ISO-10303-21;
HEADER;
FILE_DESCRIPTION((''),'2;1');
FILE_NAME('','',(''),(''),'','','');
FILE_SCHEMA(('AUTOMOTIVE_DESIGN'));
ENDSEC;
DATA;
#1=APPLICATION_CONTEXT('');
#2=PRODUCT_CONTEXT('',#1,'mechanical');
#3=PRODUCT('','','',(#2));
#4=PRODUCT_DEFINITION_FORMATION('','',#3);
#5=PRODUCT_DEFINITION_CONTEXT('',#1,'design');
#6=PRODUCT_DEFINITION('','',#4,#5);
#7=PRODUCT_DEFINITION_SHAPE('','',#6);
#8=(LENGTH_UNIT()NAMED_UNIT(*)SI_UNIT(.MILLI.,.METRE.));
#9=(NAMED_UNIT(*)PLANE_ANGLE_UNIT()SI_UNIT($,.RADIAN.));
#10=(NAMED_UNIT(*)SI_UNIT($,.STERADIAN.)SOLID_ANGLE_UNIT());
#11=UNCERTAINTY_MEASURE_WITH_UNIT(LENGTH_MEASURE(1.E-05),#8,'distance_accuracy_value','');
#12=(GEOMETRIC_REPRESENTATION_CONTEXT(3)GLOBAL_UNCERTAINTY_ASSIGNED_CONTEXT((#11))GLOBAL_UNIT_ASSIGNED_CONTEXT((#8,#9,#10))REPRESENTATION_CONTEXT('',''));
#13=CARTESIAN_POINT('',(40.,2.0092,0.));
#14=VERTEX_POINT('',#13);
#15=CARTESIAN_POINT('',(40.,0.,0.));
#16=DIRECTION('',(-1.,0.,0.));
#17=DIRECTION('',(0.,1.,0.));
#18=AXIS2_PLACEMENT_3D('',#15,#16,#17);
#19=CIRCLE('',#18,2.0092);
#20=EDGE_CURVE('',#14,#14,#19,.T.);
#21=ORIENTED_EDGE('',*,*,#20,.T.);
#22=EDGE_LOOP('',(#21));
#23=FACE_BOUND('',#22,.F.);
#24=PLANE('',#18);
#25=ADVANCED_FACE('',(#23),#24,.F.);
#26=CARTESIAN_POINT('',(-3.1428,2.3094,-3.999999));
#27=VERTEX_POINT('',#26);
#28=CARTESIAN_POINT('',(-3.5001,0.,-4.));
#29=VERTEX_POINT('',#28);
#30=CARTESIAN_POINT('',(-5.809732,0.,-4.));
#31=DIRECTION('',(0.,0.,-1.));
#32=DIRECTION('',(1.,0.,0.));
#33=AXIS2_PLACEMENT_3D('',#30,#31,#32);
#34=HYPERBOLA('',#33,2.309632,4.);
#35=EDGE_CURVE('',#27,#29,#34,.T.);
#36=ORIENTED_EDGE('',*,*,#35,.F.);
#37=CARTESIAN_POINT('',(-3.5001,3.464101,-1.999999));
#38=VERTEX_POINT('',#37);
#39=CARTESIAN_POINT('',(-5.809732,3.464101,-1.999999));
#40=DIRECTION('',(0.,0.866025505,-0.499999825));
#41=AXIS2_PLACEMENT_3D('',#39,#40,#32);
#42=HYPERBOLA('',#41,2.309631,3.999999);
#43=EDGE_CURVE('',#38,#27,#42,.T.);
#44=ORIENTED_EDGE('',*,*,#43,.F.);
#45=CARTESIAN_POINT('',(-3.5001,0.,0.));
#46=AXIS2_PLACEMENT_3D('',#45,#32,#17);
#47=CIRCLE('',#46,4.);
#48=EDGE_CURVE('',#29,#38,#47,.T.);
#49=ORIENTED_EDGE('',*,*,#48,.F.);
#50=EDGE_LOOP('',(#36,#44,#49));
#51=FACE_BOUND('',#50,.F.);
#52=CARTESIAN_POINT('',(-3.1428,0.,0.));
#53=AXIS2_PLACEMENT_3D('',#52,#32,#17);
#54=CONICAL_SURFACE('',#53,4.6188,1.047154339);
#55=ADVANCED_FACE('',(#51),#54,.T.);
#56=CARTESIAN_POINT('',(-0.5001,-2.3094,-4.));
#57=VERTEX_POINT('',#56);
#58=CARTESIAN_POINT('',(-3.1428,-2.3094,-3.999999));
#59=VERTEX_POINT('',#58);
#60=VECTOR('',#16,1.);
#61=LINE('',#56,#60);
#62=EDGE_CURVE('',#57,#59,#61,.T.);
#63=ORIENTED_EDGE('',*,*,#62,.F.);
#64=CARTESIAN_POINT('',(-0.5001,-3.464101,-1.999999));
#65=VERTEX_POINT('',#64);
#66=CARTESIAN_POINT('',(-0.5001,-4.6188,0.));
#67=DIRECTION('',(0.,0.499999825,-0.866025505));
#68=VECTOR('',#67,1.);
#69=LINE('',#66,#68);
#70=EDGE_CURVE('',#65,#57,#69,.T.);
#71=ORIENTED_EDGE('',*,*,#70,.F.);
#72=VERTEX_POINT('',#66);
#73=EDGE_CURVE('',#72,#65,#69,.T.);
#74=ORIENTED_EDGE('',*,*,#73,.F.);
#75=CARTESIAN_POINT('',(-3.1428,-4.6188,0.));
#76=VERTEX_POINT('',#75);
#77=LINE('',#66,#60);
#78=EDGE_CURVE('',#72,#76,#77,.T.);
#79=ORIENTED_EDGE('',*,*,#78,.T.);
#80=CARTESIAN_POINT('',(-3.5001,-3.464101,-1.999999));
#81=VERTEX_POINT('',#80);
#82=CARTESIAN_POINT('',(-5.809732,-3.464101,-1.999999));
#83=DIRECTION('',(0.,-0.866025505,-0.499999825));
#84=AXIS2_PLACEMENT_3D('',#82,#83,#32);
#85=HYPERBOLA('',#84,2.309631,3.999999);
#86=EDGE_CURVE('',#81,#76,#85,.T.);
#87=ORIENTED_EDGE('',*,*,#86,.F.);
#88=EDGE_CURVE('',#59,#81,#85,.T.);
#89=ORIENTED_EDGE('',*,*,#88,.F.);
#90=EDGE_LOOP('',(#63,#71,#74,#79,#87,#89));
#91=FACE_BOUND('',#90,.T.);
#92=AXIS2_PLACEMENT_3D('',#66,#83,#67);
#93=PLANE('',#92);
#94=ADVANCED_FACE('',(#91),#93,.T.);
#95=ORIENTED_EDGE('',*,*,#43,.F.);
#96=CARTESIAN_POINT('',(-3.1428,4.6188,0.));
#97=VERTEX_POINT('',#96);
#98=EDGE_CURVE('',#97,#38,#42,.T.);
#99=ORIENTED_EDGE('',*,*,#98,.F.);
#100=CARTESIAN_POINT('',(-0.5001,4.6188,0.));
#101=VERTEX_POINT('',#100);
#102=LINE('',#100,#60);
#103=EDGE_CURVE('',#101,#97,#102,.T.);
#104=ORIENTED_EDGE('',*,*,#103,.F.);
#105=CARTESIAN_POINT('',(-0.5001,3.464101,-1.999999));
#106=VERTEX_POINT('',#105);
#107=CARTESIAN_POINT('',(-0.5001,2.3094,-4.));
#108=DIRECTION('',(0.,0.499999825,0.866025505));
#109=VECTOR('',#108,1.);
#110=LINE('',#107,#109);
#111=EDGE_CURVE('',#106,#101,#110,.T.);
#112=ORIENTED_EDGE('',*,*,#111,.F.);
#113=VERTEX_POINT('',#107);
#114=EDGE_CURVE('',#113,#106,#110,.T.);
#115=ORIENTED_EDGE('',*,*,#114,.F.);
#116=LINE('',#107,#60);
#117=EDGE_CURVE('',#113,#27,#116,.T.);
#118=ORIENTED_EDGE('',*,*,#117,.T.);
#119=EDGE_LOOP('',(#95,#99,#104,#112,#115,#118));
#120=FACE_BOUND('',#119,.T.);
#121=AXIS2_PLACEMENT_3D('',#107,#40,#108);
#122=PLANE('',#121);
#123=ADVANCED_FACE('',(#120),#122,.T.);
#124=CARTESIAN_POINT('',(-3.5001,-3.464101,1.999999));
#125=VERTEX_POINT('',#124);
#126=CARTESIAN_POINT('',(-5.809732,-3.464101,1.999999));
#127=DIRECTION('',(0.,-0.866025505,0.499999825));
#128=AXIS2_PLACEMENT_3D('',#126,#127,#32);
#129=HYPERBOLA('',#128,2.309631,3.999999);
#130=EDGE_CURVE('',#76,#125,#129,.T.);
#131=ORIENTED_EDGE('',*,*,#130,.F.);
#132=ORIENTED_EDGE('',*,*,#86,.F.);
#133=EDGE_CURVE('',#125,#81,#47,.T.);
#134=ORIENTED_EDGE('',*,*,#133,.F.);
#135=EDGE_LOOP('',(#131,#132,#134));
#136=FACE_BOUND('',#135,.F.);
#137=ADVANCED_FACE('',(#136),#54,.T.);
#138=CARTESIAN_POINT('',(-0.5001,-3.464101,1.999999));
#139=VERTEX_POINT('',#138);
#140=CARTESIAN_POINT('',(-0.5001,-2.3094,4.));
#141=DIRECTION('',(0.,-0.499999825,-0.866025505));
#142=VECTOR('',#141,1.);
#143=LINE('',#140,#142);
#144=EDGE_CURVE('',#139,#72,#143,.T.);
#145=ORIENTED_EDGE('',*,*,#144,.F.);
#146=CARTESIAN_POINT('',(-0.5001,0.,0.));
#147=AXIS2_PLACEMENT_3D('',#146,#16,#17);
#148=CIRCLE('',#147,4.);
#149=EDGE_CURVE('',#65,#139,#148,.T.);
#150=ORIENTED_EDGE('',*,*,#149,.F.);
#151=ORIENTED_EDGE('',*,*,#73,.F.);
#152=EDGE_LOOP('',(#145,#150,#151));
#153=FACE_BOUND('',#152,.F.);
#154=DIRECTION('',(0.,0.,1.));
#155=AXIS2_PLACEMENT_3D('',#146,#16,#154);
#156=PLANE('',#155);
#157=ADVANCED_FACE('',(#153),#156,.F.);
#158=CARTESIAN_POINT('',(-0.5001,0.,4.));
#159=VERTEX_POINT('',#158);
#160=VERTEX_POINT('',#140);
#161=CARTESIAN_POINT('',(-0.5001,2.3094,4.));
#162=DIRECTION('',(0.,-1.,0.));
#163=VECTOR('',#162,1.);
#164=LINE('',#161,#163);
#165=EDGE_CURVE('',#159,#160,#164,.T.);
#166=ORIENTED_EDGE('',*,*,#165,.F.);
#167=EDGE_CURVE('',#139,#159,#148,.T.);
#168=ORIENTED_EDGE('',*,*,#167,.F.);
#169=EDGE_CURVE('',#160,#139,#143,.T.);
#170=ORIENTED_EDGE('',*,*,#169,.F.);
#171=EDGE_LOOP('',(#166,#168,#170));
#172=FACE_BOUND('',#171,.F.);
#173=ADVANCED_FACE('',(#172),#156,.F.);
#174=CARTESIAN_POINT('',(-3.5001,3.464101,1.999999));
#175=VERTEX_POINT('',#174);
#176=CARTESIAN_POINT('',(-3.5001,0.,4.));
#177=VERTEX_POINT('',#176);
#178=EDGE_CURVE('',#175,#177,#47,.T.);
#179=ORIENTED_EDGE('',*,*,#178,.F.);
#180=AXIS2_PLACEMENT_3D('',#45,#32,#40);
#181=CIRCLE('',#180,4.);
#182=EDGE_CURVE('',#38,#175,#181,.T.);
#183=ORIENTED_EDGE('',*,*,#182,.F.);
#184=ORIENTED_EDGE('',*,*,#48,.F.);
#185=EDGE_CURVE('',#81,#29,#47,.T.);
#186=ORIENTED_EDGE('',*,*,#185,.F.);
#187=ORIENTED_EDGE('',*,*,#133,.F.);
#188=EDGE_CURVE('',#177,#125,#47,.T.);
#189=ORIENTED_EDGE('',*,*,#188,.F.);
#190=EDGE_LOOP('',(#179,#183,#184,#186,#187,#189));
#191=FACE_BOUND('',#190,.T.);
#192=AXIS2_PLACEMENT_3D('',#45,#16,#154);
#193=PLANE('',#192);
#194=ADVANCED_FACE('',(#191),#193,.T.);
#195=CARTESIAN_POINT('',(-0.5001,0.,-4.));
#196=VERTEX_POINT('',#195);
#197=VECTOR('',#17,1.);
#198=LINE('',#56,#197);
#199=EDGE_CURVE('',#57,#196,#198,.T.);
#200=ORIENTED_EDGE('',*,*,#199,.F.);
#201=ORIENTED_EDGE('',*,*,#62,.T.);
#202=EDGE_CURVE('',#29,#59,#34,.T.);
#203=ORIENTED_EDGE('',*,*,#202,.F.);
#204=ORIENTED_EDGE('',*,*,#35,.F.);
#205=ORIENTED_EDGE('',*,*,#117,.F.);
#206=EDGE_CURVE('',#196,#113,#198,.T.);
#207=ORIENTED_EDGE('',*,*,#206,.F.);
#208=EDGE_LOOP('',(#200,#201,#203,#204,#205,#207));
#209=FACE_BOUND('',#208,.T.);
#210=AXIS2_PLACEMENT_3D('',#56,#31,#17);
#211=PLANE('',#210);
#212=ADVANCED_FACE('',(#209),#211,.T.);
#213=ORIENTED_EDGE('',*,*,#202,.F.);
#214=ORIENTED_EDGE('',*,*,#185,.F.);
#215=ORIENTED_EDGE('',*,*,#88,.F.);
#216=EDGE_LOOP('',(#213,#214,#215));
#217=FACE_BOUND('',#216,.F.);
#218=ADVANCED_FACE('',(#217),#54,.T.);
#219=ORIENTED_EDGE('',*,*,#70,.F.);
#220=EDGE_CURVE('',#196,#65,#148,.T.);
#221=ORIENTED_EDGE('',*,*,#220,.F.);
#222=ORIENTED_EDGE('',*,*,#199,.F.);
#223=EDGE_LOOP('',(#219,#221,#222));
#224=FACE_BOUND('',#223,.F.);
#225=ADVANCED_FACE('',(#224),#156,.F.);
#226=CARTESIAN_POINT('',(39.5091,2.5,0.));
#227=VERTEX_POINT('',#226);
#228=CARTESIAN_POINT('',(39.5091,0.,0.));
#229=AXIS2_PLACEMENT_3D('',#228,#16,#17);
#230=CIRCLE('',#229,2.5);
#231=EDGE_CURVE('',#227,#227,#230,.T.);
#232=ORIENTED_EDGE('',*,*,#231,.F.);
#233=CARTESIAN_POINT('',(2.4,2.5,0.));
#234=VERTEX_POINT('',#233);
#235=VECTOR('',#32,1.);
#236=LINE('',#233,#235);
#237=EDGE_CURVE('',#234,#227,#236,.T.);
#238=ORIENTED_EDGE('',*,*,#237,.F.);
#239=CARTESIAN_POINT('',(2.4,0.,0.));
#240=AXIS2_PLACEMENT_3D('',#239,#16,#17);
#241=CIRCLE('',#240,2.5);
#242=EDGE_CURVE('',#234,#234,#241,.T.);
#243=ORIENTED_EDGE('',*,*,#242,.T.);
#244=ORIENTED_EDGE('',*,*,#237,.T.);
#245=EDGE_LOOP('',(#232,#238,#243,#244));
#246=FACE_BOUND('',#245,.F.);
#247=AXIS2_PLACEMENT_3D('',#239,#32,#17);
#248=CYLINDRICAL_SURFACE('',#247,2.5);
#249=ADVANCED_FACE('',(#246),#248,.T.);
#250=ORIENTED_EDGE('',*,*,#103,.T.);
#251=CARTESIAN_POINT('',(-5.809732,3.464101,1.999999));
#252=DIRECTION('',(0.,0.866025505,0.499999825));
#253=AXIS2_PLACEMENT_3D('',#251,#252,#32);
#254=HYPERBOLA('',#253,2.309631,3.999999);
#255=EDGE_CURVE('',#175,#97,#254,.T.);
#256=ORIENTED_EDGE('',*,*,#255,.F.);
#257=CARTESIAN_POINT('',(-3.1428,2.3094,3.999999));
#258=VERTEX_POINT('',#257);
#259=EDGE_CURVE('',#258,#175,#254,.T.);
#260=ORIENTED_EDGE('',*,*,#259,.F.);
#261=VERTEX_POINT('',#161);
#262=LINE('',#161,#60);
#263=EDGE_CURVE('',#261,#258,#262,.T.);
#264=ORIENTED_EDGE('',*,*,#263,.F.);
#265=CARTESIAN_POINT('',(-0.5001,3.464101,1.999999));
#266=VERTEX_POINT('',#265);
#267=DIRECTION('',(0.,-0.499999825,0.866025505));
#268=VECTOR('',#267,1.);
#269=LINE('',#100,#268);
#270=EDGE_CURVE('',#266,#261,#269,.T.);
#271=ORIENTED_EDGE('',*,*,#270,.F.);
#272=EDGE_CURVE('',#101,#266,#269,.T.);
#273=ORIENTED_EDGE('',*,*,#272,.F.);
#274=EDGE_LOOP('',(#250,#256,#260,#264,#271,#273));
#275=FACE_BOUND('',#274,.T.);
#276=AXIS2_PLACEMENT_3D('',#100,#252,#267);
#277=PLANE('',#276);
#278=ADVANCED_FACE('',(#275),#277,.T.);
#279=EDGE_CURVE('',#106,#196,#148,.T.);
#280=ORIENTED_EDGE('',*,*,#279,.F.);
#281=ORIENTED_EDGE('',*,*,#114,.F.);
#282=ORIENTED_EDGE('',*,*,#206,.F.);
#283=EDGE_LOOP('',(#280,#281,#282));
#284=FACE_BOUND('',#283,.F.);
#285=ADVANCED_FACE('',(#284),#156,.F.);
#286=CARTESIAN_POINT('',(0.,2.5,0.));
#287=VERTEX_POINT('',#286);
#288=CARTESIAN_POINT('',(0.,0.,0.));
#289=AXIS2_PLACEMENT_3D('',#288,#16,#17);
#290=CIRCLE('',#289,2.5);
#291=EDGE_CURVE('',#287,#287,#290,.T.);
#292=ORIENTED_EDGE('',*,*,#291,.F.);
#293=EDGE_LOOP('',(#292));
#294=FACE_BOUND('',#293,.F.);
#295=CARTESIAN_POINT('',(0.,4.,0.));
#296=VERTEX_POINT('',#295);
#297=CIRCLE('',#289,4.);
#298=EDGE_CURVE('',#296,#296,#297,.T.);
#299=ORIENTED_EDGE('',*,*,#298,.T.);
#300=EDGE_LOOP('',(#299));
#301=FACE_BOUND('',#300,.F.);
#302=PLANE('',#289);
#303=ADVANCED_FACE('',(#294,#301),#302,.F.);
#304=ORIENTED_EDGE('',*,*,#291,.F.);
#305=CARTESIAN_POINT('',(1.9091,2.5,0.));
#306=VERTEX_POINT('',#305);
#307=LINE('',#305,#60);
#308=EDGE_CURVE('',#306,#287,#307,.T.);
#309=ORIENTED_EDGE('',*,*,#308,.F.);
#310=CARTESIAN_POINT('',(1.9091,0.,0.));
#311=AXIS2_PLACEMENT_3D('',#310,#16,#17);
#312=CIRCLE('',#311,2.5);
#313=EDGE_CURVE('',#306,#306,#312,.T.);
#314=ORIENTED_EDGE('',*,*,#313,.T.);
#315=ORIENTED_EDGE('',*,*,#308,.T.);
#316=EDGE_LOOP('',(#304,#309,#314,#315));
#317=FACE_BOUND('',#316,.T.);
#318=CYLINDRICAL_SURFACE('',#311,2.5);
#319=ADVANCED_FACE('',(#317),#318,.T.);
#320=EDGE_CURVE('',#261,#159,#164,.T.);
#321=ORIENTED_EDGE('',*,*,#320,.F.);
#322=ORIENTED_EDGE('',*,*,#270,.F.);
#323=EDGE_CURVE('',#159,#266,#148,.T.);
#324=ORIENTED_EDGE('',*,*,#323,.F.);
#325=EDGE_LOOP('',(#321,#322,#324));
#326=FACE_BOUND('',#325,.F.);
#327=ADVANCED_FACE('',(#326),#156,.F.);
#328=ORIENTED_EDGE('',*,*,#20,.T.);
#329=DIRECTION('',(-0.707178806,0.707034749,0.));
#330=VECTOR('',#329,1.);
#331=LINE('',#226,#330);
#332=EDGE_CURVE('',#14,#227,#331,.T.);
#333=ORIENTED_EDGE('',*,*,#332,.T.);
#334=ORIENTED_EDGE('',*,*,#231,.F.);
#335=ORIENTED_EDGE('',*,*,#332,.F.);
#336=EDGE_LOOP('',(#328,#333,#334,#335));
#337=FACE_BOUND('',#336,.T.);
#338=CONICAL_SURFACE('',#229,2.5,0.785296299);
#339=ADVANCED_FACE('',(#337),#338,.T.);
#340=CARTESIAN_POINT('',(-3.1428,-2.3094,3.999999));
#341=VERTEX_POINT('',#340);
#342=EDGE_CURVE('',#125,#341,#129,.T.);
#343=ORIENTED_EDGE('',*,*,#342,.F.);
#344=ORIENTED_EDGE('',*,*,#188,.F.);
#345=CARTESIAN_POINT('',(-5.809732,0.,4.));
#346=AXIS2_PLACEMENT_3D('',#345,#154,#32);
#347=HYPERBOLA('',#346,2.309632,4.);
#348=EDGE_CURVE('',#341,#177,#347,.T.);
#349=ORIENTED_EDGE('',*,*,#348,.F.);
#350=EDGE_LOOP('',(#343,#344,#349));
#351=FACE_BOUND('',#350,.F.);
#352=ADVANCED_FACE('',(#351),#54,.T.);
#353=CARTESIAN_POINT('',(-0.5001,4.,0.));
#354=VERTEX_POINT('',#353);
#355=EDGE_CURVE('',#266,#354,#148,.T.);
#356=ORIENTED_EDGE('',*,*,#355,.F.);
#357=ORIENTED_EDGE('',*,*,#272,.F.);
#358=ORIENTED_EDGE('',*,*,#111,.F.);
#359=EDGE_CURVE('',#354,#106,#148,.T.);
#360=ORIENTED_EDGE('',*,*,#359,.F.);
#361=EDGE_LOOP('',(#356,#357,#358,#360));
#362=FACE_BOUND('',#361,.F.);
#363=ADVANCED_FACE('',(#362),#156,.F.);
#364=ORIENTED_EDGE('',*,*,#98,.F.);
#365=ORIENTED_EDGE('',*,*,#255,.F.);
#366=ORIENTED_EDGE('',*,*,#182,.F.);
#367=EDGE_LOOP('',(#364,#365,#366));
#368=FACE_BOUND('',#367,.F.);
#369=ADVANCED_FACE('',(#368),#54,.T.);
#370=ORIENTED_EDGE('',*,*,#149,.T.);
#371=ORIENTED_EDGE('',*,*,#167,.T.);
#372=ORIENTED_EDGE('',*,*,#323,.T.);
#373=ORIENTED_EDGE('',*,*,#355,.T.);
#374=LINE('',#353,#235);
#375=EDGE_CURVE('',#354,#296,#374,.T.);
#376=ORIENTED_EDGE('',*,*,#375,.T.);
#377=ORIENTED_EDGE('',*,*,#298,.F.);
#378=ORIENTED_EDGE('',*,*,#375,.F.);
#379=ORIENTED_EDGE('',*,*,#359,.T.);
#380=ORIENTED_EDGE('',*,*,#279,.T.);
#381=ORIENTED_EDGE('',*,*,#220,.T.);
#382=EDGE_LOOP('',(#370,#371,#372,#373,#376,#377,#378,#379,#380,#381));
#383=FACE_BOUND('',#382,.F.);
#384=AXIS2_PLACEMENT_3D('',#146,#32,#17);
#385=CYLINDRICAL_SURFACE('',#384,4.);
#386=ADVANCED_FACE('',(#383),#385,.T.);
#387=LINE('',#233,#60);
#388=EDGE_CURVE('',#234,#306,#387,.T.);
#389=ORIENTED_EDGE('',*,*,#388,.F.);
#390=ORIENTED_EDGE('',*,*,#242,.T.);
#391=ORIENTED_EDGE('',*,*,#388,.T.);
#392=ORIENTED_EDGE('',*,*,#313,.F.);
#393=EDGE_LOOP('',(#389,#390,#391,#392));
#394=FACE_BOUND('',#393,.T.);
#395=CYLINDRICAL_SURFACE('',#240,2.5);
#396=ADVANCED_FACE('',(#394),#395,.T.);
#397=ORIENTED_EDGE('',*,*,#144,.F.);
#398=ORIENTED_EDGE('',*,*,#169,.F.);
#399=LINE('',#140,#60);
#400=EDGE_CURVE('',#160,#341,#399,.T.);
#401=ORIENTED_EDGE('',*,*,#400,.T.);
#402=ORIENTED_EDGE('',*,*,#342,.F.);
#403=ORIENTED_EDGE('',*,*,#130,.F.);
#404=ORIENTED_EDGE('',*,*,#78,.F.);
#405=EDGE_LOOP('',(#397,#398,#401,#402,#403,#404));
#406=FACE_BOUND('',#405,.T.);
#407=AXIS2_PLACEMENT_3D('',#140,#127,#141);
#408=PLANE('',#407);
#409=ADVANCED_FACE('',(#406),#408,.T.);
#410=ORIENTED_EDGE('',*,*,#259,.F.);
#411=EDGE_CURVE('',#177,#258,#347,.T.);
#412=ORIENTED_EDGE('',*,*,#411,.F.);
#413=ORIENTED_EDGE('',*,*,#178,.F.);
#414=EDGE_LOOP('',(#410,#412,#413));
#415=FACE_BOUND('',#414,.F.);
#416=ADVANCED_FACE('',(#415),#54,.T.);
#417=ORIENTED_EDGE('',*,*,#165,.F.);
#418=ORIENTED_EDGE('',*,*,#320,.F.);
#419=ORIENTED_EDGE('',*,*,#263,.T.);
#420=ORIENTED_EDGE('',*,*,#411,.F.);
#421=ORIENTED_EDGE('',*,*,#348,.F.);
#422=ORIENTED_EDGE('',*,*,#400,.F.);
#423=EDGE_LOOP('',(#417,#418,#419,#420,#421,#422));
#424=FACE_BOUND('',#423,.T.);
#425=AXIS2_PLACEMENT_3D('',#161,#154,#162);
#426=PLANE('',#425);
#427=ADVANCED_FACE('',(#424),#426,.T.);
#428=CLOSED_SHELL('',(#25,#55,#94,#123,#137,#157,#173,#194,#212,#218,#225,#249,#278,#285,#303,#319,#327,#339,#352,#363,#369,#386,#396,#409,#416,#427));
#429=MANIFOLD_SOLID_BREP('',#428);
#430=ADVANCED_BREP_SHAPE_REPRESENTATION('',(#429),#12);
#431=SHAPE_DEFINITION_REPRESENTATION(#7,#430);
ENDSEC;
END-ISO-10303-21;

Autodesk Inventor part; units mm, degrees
ref_plane "YZ Plane" through (0, 0, 0) normal (1, 0, 0) x (0, 1, 0)
ref_plane "XZ Plane" through (0, 0, 0) normal (0, 1, 0) x (-1, 0, 0)
sketch "Sketch1" plane through (0, 0, 0) normal (0, 0, 1) x (1, 0, 0)
  line L0 (0, 4) -> (0, 2.5)
  line L1 (2.4, 2.5) -> (40, 2.5)
  line L2 (40, 2.5) -> (40, 0)
  line L3 (40, 0) -> (-0.5001, 0)
  line L4 (-8.6001, 0) -> (48.1, 0) projected
  line L5 (-0.5001, 0) -> (-0.5001, 4)
  line L6 (-0.5001, 4) -> (0, 4)
  line L7 (2.4, 2.5) -> (1.9091, 2.5)
  line L8 (1.9091, 2.5) -> (0, 2.5)
  line L9 (0, -0.8) -> (0, 4.8) projected
  dimension "d0" = 40
  dimension "d1" = 37.6
  dimension "d2" = 5
  dimension "d9" = 0.5001
  dimension "d10" = 8
  dimension "d13" = 0.4909
  dimension "d14" = 5
revolve "Body" add sketch "Sketch1" angle 360 about axis through (40, 0, 0) along (-1, 0, 0)
sketch "Sketch2" plane through (-0.5001, 0, 0) normal (-1, 0, 0) x (0, 0, 1)
  line L0 (0, 4.6188) -> (4, 2.3094)
  line L1 (4, 2.3094) -> (4, -2.3094)
  line L2 (4, -2.3094) -> (0, -4.6188)
  line L3 (0, -4.6188) -> (-4, -2.3094)
  line L4 (-4, -2.3094) -> (-4, 2.3094)
  line L5 (-4, 2.3094) -> (0, 4.6188)
  point P0 (0, 0)
  point P1 (0, 0)
  dimension "d11" = 8
extrude "Head" add sketch "Sketch2" along normal blind 3
sketch "Sketch4" plane through (0, 0, 0) normal (0, 0, 1) x (1, 0, 0)
  line L0 (-3.5001, 4) -> (-3.5001, 4.6188)
  line L1 (-3.5001, 4.6188) -> (-3.1428, 4.6188)
  line L2 (-3.1428, 4.6188) -> (-3.5001, 4)
  line L3 (-4.1001, 0) -> (0.0999, 0) projected
  line L4 (-0.5001, 4.6188) -> (-3.5001, 4.6188) projected
  line L5 (-3.5001, 2.3094) -> (-3.5001, 4.6188) projected
  dimension "d5" = 30
  dimension "d19" = 8
revolve "Chamfer1" cut sketch "Sketch4" angle 360 about axis through (-10, 0, 0) along (1, 0, 0)
thread "Thread" size "M5x0.8" class "6g" standard "ISO Metric profile" length 37.6
chamfer "Chamfer2" distance 0.4908 distance2 0.4909 1 edges at (40, -2.5, 0) measured on face at (40, 0.1004, 0.4284)
ref_plane "Work Plane1" through (1.525, 0, 0) normal (0, 0, 1) x (1, 0, 0)
equation "\"d0\" = NLG"
equation "\"d1\" = GEL"
equation "\"d2\" = GD"
equation "\"d10\" = SD2"
equation "\"d14\" = BDM"
equation "\"d11\" = SW"
equation "\"d3\" = KOH - SD"
equation "\"d5\" = ANG1"
equation "\"d19\" = SW0"
equation "\"d15\" = GEL"
equation "\"d6\" = -0.5 * SPD + 0.5 * GD"
equation "\"NLG\" = 40"
equation "\"GD\" = NND"
equation "\"BDM\" = NND"
equation "\"KOH\" = 3.5"
equation "\"GEL\" = 37.6"
equation "\"SW\" = 8"
equation "\"SW0\" = SW"
equation "\"SPD\" = NND - 1.2269 * PTC"
equation "\"SD2\" = SW"
equation "\"SD\" = 0.5"
equation "\"ANG1\" = 30deg"
equation "\"GAL\" = 0.61345 * PTC"
equation "\"GUL\" = 0.61345 * PTC"
equation "\"RR\" = 0.2"
equation "\"WFT\" = SD"
equation "\"GD1\" = THREADDIA - 1.2269 * PTC"
equation "\"THREADDIA\" = 5"
equation "\"SDH\" = SW"
equation "\"TOA\" = 30deg"
equation "\"FAWI\" = 45deg"
equation "\"PTC\" = 0.8"
equation "\"NND\" = 5"
equation "\"E0\" = 1.155 * SW"
properties part number "AS 1110 - M5 x 40" material "Steel, Mild"
